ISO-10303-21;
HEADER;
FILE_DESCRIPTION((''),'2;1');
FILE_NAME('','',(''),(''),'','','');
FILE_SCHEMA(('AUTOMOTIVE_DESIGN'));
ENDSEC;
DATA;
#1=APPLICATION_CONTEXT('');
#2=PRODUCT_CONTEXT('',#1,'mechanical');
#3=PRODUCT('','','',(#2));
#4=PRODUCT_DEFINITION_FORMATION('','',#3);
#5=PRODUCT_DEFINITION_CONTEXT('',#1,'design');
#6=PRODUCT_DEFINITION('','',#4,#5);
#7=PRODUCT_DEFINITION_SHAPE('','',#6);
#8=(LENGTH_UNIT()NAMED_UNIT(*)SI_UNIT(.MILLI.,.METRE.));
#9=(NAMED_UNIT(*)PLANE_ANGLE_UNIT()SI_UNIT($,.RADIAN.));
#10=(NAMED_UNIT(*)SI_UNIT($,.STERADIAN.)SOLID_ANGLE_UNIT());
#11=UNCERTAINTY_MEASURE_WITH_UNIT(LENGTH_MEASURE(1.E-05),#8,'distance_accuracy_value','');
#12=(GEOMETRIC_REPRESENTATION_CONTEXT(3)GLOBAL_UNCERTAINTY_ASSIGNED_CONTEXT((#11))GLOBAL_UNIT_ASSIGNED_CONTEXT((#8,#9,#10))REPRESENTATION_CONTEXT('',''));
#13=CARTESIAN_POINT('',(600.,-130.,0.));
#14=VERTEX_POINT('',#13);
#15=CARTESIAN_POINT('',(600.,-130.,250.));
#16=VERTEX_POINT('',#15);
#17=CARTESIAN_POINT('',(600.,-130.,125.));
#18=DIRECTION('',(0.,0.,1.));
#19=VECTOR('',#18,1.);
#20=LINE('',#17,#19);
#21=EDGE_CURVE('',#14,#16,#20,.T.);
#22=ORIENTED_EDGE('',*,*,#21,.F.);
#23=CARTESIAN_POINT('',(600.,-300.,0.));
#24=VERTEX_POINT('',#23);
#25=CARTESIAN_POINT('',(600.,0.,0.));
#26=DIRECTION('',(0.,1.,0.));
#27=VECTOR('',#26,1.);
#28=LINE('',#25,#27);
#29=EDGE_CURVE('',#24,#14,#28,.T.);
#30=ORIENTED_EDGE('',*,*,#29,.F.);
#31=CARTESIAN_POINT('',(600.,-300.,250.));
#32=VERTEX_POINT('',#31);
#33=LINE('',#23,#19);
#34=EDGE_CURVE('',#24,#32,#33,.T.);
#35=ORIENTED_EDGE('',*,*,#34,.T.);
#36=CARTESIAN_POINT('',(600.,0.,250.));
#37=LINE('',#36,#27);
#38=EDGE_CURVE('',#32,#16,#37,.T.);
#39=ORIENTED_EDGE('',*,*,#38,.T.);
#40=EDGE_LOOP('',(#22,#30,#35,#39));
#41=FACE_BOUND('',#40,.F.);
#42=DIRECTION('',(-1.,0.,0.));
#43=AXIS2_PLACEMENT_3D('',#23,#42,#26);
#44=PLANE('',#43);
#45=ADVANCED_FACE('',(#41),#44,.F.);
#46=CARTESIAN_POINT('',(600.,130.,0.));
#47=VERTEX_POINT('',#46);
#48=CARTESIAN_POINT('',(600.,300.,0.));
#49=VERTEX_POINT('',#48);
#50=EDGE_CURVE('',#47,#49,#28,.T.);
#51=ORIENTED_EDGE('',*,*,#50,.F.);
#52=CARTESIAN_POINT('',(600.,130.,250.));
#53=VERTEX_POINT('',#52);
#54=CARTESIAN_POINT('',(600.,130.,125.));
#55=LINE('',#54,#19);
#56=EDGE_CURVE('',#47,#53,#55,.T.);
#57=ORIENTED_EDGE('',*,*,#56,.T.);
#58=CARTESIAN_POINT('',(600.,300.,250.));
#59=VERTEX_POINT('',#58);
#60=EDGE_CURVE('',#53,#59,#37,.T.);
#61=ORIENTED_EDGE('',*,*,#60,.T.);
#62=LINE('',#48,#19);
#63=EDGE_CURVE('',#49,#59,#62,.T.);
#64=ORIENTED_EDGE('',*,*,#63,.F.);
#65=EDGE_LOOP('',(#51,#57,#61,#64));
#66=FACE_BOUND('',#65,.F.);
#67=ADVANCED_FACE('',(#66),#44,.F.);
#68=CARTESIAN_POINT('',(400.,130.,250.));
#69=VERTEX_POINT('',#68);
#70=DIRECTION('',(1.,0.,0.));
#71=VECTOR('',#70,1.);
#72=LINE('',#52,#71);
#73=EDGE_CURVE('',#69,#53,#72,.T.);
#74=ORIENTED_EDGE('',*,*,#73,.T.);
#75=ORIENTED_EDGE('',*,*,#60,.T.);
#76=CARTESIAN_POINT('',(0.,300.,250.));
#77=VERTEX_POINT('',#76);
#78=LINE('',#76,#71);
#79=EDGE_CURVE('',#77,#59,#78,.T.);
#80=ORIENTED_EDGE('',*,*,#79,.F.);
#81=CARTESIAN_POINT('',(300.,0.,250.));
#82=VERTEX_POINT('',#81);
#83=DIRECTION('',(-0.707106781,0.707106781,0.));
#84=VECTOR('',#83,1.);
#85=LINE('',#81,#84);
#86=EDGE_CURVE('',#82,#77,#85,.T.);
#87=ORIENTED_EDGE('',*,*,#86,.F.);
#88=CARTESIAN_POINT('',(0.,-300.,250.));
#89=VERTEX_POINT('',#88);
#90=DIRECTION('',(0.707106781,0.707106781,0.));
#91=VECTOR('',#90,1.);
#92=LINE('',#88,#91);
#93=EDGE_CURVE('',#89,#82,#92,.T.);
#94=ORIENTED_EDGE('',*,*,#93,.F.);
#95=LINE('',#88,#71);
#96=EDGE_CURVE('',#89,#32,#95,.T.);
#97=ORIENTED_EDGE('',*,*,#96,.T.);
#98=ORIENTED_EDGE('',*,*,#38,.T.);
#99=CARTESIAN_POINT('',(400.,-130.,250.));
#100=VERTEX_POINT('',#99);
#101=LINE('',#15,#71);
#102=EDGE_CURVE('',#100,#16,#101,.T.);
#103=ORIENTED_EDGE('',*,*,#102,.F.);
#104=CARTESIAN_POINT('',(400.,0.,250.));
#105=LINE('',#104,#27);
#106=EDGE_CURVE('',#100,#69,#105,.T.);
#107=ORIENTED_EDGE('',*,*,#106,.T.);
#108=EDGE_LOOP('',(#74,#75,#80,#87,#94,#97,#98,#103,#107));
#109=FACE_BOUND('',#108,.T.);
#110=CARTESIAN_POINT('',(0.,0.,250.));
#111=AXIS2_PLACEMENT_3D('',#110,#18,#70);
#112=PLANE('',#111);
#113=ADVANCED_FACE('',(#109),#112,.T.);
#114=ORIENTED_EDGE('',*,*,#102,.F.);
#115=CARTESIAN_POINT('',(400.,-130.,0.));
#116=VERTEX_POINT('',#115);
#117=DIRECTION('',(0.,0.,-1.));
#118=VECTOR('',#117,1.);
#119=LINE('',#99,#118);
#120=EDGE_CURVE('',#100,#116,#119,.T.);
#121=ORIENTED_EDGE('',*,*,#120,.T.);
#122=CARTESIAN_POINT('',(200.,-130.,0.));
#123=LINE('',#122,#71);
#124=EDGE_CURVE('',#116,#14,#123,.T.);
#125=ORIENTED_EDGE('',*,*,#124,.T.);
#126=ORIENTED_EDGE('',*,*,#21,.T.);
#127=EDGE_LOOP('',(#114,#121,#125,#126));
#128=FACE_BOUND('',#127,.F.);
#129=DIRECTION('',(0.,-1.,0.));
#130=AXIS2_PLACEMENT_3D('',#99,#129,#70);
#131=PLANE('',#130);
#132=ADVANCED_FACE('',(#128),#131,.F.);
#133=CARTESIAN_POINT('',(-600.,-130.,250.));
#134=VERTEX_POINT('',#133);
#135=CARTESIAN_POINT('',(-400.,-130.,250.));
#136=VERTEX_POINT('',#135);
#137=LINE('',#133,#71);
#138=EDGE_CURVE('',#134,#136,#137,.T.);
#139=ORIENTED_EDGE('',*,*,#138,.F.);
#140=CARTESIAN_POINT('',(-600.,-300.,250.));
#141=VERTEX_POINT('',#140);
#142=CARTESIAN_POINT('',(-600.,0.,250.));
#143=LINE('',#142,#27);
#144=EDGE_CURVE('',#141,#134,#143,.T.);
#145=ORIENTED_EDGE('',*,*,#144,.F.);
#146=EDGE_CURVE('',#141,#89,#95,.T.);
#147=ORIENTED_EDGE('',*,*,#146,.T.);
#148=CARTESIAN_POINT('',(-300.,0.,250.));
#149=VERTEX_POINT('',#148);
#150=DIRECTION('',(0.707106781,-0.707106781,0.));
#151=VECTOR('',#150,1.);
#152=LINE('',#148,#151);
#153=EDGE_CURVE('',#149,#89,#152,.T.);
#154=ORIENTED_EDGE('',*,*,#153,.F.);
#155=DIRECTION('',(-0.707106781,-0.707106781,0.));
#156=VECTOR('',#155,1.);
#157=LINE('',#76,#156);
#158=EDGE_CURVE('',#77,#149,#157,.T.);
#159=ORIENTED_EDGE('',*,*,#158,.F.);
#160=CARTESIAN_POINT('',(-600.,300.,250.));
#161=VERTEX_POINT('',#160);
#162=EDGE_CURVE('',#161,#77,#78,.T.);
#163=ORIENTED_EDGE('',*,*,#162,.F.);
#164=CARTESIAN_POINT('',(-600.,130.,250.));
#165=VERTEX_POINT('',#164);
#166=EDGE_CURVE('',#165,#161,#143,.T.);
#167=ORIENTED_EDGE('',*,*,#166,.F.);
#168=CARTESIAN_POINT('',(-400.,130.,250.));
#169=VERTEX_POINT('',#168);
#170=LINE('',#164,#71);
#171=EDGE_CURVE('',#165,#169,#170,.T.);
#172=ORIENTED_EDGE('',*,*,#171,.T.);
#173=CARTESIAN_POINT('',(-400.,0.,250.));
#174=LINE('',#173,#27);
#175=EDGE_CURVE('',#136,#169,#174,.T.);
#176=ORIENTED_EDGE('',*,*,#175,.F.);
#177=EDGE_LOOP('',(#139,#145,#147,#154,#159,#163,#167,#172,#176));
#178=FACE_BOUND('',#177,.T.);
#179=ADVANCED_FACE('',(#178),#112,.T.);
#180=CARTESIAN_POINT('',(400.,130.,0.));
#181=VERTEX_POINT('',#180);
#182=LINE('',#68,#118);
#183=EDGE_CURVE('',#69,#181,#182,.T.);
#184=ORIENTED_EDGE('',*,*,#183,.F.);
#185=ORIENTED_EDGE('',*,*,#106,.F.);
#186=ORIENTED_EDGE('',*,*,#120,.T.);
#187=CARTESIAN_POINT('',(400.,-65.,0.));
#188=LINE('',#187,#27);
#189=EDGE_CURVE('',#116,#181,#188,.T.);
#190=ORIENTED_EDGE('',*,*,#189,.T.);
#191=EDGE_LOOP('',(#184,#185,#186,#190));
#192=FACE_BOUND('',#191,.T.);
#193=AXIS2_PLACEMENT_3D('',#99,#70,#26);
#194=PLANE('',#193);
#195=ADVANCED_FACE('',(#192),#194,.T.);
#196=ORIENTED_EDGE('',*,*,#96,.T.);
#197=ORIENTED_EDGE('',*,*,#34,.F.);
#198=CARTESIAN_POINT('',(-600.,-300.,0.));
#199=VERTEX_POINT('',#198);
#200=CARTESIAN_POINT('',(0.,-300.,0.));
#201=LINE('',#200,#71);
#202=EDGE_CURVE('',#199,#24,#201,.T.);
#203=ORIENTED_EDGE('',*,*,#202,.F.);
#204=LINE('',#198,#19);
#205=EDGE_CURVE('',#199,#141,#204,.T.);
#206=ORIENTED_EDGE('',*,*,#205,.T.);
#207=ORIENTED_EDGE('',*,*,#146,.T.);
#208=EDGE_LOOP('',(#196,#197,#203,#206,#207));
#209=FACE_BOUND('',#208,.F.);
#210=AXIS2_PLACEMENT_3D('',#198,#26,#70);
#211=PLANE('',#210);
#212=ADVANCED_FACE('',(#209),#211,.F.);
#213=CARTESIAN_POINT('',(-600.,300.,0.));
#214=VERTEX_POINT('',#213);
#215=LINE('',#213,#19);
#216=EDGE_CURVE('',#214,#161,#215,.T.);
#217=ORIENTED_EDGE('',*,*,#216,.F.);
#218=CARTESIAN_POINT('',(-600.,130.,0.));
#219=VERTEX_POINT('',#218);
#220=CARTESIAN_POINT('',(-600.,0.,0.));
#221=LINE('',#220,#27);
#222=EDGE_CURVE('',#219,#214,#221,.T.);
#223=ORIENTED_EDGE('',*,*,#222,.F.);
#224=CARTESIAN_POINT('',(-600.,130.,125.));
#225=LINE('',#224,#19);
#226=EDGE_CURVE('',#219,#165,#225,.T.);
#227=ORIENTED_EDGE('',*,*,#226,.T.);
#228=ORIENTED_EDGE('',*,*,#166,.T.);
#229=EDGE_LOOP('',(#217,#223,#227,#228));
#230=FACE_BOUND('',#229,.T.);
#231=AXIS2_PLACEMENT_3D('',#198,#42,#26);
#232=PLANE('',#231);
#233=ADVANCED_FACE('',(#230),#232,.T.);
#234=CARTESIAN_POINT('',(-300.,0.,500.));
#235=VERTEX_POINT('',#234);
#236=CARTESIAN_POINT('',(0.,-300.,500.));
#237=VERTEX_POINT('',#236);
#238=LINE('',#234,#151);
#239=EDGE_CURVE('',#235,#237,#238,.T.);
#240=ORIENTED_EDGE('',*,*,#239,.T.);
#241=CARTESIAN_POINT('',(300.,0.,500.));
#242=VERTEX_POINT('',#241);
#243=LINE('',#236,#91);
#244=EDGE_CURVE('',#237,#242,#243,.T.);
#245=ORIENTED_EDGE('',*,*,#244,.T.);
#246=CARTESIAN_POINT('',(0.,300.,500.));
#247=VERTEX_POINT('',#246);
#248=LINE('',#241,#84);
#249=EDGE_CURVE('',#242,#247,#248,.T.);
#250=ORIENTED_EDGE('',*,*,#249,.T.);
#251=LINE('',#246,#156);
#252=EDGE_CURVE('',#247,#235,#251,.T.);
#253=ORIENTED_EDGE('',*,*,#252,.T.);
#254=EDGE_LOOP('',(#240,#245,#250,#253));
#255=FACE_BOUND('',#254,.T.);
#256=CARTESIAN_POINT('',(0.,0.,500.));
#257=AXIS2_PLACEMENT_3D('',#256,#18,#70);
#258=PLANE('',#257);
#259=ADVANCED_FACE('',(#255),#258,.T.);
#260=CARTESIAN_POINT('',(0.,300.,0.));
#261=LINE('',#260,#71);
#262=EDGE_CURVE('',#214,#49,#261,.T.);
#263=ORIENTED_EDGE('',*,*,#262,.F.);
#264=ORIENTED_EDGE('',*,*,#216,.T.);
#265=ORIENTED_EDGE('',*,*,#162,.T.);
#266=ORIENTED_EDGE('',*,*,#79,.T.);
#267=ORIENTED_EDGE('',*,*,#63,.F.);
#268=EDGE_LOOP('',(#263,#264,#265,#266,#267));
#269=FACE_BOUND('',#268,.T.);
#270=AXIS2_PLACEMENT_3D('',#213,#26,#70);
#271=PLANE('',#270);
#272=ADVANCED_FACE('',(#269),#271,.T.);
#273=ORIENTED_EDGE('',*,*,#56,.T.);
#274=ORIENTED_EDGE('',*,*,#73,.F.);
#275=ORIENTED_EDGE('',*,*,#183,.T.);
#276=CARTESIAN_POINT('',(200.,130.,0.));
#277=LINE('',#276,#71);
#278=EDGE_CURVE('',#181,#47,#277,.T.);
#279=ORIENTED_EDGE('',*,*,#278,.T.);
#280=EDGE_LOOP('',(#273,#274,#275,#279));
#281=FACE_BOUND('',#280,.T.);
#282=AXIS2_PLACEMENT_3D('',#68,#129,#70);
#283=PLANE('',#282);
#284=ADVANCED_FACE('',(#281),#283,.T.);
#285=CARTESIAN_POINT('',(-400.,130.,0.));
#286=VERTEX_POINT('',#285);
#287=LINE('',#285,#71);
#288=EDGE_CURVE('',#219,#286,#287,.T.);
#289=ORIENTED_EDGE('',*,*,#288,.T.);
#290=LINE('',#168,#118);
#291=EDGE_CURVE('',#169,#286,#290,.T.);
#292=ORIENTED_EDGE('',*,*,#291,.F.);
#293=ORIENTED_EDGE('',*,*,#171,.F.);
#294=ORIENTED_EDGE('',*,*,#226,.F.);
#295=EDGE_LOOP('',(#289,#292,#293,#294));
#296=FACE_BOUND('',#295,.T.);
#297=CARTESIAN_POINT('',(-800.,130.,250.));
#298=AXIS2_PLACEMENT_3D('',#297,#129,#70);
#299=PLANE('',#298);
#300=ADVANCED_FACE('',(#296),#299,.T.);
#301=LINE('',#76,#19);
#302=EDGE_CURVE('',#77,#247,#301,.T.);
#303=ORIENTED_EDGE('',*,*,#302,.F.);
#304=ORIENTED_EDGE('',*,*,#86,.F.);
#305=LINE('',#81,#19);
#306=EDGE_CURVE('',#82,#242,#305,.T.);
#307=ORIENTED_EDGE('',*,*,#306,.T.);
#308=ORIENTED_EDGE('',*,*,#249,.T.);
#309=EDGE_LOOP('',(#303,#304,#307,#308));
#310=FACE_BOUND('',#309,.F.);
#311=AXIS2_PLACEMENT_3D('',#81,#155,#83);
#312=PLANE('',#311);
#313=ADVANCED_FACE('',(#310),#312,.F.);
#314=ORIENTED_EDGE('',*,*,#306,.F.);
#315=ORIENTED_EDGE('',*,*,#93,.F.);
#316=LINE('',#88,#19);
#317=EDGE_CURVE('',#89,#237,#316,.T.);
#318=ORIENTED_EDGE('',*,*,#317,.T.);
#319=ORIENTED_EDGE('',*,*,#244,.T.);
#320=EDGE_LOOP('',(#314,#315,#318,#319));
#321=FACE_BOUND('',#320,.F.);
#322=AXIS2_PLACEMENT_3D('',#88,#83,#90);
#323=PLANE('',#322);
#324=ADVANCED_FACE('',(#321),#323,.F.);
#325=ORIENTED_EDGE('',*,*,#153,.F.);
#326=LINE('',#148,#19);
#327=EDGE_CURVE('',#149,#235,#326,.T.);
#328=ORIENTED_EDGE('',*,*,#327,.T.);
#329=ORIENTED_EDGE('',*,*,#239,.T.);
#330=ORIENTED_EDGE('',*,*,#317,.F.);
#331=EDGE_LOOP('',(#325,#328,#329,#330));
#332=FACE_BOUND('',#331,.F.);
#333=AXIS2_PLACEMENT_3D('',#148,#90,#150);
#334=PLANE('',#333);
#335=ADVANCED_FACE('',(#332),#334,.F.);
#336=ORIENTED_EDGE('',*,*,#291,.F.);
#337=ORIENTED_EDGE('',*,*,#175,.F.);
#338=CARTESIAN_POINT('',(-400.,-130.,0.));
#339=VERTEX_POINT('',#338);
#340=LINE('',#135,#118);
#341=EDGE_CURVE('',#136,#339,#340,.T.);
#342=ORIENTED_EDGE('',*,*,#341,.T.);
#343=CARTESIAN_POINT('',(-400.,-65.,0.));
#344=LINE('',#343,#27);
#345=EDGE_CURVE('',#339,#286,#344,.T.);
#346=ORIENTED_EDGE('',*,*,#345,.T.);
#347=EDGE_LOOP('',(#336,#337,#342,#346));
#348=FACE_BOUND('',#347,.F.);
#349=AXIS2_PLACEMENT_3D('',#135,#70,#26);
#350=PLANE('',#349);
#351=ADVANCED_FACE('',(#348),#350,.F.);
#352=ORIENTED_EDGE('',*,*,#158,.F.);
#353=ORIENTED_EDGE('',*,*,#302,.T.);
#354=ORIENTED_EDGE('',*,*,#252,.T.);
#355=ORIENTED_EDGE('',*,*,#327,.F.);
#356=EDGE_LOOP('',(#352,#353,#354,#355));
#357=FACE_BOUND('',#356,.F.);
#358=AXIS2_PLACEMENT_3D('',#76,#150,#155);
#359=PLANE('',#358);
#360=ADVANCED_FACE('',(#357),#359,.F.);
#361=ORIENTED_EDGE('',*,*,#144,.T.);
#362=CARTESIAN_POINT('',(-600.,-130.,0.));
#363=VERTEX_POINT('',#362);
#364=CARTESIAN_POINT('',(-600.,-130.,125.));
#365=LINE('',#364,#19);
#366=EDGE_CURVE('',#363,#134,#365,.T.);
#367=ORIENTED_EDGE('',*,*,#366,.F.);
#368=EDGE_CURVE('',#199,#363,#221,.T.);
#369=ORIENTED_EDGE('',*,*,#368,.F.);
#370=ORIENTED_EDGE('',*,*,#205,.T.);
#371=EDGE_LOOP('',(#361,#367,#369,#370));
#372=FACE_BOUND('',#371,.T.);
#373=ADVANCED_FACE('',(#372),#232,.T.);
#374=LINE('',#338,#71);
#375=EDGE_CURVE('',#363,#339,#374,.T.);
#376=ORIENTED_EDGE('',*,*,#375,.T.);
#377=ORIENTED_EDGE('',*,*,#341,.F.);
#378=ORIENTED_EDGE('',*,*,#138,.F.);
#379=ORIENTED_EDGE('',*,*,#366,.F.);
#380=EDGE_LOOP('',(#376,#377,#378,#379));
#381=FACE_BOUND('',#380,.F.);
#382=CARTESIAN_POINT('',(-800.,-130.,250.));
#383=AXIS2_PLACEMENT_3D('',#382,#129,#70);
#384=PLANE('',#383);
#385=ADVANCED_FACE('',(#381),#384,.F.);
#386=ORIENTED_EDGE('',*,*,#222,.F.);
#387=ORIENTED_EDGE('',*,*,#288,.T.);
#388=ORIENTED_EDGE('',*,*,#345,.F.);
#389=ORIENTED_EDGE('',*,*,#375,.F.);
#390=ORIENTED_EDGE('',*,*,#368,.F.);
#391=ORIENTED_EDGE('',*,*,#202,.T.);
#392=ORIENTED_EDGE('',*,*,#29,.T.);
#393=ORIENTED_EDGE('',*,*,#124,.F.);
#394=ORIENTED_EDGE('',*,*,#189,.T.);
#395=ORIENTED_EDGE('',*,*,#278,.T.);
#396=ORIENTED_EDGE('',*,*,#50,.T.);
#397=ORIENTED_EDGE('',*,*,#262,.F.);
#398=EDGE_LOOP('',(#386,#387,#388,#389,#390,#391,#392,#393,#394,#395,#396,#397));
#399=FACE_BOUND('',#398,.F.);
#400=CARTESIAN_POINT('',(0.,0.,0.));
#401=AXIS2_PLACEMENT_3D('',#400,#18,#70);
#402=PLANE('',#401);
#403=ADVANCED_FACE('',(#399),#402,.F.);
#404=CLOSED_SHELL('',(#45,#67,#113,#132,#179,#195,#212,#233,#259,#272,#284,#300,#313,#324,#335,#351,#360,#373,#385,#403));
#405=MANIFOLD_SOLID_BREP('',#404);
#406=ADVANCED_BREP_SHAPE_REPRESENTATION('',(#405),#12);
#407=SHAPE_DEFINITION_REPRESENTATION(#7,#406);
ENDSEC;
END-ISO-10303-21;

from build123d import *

# Parameters (mm, degrees)
F0_W     = 1200
F0_H     = 600
F1_DEPTH = 250
F3_DEPTH = 250
F4_W     = 400
F4_H     = 260
F5_DEPTH = 250.001
F6_W     = 400
F6_H     = 260
F7_DEPTH = 250.001


with BuildPart() as f1:
    # F0 (on Top) → F1 (new body)
    with BuildSketch(Plane.XY):
        Rectangle(F0_W, F0_H)
    extrude(amount=F1_DEPTH)

    # F2 (on face) → F3 (join)
    with BuildSketch(Plane.XY.offset(250)):
        Polygon((300, 0), (0, 300), (-300, 0), (0, -300), align=None)
    extrude(amount=F3_DEPTH)

    # F4 (on face) → F5 (cut, through all)
    with BuildSketch(Plane.XY.offset(250)):
        with Locations((-600, 0)):
            Rectangle(F4_W, F4_H)
    extrude(amount=-F5_DEPTH, mode=Mode.SUBTRACT)

    # F6 (on face) → F7 (cut, through all)
    with BuildSketch(Plane.XY.offset(250)):
        with Locations((600, 0)):
            Rectangle(F6_W, F6_H)
    extrude(amount=-F7_DEPTH, mode=Mode.SUBTRACT)


solid = f1.part
